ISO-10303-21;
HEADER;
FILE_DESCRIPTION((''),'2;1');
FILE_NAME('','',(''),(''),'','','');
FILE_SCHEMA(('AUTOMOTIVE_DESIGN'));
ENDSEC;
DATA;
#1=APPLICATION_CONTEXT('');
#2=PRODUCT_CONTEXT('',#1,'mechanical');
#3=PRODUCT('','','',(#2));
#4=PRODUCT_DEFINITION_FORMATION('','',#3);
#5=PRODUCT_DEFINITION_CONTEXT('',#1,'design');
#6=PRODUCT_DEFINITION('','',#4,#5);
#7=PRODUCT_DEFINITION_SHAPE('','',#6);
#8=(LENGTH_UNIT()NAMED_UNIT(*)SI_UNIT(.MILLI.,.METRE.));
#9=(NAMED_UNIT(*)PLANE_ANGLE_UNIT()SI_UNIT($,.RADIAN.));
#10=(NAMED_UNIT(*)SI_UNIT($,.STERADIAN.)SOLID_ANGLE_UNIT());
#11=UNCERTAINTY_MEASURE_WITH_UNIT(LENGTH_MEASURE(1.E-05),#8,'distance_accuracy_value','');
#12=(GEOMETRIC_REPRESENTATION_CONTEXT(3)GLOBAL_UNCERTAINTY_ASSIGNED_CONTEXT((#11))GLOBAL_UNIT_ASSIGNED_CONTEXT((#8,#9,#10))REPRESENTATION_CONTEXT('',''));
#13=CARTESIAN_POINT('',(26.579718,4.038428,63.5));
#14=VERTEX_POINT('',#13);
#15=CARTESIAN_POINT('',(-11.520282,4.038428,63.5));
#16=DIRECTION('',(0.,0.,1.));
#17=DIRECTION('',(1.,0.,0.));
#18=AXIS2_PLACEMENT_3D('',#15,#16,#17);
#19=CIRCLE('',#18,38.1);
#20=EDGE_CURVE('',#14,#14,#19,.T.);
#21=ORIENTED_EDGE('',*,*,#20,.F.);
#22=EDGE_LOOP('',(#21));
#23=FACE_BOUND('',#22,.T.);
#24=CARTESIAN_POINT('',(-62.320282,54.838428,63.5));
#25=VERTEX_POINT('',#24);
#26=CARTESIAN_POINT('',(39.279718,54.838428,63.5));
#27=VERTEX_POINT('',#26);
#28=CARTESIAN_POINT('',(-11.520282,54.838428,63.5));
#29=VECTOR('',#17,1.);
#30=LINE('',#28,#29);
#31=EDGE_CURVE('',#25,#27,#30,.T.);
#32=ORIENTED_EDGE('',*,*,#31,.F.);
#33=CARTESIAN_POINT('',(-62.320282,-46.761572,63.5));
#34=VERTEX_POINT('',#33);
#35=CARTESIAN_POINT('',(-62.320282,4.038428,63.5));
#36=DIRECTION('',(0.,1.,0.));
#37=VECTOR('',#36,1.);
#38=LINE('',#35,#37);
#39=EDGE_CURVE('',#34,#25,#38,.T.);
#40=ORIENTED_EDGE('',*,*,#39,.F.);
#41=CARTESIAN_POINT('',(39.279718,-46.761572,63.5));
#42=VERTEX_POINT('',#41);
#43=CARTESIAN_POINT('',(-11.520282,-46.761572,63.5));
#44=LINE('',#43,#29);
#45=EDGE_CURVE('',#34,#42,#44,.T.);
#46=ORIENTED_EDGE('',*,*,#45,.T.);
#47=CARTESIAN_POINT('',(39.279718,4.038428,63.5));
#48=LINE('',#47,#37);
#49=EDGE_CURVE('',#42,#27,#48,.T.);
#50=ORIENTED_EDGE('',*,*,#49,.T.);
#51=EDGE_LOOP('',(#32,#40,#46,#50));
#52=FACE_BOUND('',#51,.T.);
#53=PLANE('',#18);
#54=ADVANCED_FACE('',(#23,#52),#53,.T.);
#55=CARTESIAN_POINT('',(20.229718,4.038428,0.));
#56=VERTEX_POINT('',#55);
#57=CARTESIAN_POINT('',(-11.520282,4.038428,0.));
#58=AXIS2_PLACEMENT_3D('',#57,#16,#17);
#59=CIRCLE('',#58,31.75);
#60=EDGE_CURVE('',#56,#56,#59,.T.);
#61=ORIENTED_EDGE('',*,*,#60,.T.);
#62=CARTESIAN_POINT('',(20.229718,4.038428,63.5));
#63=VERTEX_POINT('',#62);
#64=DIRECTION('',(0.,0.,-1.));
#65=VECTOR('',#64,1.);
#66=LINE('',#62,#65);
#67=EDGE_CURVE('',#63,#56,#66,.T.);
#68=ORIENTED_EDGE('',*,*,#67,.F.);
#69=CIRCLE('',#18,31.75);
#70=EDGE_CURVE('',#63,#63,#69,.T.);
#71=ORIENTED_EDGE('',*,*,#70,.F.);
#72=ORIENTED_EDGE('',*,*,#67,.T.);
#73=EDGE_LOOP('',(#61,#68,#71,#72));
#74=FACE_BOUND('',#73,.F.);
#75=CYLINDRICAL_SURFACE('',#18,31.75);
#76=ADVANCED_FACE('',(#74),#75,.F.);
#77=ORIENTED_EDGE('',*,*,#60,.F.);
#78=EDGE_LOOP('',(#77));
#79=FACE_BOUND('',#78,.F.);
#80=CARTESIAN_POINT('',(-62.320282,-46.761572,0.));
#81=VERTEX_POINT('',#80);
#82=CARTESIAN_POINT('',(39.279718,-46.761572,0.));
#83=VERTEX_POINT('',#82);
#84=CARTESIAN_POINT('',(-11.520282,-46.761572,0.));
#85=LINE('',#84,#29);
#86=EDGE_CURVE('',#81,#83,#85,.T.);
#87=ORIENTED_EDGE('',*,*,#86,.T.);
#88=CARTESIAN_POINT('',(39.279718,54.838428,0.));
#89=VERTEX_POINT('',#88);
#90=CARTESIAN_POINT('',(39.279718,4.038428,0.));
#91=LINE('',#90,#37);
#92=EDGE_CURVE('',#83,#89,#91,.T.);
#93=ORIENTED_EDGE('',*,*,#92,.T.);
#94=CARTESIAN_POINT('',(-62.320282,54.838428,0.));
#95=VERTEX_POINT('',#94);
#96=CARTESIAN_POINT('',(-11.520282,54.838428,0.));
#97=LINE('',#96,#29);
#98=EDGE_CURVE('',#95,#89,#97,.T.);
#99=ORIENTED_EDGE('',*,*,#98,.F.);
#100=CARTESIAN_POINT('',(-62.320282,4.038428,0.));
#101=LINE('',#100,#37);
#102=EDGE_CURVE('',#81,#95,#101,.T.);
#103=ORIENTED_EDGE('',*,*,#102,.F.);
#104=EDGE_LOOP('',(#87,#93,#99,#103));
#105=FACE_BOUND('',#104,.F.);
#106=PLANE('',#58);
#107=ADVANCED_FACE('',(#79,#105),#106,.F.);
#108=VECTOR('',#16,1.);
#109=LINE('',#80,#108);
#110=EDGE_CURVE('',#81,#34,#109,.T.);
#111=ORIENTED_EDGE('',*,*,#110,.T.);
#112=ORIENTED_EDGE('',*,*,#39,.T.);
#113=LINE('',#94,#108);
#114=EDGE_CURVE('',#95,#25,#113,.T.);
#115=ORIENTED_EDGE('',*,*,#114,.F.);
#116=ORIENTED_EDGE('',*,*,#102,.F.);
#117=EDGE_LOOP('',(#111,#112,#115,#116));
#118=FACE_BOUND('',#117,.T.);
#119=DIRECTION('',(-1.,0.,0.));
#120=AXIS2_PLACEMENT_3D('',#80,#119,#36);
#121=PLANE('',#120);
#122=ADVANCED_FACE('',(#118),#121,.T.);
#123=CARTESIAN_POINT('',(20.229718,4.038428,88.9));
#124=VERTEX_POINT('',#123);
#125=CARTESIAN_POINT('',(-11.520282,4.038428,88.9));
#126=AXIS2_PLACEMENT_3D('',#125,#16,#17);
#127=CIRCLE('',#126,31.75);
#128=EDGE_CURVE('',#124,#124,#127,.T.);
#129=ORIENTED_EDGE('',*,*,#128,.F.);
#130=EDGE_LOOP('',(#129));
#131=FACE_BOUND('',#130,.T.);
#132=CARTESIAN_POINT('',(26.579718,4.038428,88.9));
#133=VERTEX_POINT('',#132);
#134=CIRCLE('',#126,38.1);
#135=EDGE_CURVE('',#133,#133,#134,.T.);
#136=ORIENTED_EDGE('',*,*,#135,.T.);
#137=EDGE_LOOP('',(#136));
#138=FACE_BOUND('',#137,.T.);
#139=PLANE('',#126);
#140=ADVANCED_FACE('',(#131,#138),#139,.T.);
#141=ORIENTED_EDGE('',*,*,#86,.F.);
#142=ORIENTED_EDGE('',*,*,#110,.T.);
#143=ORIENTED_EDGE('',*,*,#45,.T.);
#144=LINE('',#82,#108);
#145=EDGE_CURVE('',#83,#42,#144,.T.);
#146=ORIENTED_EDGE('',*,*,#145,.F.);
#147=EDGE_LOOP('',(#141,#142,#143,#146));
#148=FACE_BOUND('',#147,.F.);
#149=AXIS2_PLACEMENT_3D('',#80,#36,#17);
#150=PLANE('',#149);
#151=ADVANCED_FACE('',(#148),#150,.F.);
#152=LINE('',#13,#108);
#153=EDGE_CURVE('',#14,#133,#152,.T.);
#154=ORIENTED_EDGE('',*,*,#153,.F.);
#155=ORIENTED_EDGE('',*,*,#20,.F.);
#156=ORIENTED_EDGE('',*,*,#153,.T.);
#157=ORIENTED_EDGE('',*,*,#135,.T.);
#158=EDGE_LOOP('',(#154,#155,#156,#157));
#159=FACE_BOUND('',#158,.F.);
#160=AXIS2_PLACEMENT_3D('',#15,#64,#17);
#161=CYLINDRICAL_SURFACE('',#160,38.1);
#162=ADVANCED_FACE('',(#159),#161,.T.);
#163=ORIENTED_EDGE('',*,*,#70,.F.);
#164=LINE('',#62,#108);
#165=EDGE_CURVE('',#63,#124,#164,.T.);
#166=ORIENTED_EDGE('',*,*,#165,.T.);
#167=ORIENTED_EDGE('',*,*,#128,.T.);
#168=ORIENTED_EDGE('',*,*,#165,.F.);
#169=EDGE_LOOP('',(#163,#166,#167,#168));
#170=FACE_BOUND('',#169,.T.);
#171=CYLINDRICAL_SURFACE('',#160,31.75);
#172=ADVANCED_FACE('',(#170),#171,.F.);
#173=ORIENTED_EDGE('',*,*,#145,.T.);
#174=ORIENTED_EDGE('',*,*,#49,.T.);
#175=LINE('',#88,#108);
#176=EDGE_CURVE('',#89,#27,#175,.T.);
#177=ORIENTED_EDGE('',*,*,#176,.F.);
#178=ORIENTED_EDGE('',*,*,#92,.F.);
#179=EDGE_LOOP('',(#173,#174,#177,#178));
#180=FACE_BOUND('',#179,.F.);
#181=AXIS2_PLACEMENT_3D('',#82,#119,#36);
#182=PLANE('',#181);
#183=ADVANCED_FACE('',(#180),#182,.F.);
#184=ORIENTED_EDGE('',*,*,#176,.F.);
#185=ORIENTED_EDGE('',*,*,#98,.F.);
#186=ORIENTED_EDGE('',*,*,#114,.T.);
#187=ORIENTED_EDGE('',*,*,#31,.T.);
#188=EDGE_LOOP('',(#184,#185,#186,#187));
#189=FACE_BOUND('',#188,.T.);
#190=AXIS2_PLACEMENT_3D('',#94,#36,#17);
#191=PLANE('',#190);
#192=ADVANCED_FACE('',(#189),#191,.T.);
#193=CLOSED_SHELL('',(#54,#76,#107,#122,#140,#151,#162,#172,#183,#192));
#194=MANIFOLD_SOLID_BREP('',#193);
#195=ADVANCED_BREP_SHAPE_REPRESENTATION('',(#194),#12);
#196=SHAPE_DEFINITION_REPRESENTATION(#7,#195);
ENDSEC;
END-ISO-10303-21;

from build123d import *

# Parameters (mm, degrees)
F0_W      = 101.6
F0_H      = 101.6
F1_DEPTH  = 63.5
F2_R      = 38.1
F2_R_2    = 31.75
F3_DEPTH  = 25.4
F3_FACE_R = 31.75
F4_DEPTH  = 63.5


with BuildPart() as f1:
    # F0 (on Top) → F1 (new body)
    with BuildSketch(Plane.XY):
        with Locations((-11.520282, 4.038428)):
            Rectangle(F0_W, F0_H)
    extrude(amount=F1_DEPTH)

    # F2 (on face) → F3 (join)
    with BuildSketch(Plane.XY.offset(63.5)):
        with Locations((-11.520282, 4.038428)):
            Circle(F2_R)
        with Locations((-11.520282, 4.038428)):
            Circle(F2_R_2, mode=Mode.SUBTRACT)
    extrude(amount=F3_DEPTH)

    # F3_face (on face) → F4 (cut)
    with BuildSketch(Plane(origin=(-11.520282, 4.038428, 63.5), x_dir=(1, 0, 0), z_dir=(0, 0, 1))):
        Circle(F3_FACE_R)
    extrude(amount=-F4_DEPTH, mode=Mode.SUBTRACT)


solid = f1.part
